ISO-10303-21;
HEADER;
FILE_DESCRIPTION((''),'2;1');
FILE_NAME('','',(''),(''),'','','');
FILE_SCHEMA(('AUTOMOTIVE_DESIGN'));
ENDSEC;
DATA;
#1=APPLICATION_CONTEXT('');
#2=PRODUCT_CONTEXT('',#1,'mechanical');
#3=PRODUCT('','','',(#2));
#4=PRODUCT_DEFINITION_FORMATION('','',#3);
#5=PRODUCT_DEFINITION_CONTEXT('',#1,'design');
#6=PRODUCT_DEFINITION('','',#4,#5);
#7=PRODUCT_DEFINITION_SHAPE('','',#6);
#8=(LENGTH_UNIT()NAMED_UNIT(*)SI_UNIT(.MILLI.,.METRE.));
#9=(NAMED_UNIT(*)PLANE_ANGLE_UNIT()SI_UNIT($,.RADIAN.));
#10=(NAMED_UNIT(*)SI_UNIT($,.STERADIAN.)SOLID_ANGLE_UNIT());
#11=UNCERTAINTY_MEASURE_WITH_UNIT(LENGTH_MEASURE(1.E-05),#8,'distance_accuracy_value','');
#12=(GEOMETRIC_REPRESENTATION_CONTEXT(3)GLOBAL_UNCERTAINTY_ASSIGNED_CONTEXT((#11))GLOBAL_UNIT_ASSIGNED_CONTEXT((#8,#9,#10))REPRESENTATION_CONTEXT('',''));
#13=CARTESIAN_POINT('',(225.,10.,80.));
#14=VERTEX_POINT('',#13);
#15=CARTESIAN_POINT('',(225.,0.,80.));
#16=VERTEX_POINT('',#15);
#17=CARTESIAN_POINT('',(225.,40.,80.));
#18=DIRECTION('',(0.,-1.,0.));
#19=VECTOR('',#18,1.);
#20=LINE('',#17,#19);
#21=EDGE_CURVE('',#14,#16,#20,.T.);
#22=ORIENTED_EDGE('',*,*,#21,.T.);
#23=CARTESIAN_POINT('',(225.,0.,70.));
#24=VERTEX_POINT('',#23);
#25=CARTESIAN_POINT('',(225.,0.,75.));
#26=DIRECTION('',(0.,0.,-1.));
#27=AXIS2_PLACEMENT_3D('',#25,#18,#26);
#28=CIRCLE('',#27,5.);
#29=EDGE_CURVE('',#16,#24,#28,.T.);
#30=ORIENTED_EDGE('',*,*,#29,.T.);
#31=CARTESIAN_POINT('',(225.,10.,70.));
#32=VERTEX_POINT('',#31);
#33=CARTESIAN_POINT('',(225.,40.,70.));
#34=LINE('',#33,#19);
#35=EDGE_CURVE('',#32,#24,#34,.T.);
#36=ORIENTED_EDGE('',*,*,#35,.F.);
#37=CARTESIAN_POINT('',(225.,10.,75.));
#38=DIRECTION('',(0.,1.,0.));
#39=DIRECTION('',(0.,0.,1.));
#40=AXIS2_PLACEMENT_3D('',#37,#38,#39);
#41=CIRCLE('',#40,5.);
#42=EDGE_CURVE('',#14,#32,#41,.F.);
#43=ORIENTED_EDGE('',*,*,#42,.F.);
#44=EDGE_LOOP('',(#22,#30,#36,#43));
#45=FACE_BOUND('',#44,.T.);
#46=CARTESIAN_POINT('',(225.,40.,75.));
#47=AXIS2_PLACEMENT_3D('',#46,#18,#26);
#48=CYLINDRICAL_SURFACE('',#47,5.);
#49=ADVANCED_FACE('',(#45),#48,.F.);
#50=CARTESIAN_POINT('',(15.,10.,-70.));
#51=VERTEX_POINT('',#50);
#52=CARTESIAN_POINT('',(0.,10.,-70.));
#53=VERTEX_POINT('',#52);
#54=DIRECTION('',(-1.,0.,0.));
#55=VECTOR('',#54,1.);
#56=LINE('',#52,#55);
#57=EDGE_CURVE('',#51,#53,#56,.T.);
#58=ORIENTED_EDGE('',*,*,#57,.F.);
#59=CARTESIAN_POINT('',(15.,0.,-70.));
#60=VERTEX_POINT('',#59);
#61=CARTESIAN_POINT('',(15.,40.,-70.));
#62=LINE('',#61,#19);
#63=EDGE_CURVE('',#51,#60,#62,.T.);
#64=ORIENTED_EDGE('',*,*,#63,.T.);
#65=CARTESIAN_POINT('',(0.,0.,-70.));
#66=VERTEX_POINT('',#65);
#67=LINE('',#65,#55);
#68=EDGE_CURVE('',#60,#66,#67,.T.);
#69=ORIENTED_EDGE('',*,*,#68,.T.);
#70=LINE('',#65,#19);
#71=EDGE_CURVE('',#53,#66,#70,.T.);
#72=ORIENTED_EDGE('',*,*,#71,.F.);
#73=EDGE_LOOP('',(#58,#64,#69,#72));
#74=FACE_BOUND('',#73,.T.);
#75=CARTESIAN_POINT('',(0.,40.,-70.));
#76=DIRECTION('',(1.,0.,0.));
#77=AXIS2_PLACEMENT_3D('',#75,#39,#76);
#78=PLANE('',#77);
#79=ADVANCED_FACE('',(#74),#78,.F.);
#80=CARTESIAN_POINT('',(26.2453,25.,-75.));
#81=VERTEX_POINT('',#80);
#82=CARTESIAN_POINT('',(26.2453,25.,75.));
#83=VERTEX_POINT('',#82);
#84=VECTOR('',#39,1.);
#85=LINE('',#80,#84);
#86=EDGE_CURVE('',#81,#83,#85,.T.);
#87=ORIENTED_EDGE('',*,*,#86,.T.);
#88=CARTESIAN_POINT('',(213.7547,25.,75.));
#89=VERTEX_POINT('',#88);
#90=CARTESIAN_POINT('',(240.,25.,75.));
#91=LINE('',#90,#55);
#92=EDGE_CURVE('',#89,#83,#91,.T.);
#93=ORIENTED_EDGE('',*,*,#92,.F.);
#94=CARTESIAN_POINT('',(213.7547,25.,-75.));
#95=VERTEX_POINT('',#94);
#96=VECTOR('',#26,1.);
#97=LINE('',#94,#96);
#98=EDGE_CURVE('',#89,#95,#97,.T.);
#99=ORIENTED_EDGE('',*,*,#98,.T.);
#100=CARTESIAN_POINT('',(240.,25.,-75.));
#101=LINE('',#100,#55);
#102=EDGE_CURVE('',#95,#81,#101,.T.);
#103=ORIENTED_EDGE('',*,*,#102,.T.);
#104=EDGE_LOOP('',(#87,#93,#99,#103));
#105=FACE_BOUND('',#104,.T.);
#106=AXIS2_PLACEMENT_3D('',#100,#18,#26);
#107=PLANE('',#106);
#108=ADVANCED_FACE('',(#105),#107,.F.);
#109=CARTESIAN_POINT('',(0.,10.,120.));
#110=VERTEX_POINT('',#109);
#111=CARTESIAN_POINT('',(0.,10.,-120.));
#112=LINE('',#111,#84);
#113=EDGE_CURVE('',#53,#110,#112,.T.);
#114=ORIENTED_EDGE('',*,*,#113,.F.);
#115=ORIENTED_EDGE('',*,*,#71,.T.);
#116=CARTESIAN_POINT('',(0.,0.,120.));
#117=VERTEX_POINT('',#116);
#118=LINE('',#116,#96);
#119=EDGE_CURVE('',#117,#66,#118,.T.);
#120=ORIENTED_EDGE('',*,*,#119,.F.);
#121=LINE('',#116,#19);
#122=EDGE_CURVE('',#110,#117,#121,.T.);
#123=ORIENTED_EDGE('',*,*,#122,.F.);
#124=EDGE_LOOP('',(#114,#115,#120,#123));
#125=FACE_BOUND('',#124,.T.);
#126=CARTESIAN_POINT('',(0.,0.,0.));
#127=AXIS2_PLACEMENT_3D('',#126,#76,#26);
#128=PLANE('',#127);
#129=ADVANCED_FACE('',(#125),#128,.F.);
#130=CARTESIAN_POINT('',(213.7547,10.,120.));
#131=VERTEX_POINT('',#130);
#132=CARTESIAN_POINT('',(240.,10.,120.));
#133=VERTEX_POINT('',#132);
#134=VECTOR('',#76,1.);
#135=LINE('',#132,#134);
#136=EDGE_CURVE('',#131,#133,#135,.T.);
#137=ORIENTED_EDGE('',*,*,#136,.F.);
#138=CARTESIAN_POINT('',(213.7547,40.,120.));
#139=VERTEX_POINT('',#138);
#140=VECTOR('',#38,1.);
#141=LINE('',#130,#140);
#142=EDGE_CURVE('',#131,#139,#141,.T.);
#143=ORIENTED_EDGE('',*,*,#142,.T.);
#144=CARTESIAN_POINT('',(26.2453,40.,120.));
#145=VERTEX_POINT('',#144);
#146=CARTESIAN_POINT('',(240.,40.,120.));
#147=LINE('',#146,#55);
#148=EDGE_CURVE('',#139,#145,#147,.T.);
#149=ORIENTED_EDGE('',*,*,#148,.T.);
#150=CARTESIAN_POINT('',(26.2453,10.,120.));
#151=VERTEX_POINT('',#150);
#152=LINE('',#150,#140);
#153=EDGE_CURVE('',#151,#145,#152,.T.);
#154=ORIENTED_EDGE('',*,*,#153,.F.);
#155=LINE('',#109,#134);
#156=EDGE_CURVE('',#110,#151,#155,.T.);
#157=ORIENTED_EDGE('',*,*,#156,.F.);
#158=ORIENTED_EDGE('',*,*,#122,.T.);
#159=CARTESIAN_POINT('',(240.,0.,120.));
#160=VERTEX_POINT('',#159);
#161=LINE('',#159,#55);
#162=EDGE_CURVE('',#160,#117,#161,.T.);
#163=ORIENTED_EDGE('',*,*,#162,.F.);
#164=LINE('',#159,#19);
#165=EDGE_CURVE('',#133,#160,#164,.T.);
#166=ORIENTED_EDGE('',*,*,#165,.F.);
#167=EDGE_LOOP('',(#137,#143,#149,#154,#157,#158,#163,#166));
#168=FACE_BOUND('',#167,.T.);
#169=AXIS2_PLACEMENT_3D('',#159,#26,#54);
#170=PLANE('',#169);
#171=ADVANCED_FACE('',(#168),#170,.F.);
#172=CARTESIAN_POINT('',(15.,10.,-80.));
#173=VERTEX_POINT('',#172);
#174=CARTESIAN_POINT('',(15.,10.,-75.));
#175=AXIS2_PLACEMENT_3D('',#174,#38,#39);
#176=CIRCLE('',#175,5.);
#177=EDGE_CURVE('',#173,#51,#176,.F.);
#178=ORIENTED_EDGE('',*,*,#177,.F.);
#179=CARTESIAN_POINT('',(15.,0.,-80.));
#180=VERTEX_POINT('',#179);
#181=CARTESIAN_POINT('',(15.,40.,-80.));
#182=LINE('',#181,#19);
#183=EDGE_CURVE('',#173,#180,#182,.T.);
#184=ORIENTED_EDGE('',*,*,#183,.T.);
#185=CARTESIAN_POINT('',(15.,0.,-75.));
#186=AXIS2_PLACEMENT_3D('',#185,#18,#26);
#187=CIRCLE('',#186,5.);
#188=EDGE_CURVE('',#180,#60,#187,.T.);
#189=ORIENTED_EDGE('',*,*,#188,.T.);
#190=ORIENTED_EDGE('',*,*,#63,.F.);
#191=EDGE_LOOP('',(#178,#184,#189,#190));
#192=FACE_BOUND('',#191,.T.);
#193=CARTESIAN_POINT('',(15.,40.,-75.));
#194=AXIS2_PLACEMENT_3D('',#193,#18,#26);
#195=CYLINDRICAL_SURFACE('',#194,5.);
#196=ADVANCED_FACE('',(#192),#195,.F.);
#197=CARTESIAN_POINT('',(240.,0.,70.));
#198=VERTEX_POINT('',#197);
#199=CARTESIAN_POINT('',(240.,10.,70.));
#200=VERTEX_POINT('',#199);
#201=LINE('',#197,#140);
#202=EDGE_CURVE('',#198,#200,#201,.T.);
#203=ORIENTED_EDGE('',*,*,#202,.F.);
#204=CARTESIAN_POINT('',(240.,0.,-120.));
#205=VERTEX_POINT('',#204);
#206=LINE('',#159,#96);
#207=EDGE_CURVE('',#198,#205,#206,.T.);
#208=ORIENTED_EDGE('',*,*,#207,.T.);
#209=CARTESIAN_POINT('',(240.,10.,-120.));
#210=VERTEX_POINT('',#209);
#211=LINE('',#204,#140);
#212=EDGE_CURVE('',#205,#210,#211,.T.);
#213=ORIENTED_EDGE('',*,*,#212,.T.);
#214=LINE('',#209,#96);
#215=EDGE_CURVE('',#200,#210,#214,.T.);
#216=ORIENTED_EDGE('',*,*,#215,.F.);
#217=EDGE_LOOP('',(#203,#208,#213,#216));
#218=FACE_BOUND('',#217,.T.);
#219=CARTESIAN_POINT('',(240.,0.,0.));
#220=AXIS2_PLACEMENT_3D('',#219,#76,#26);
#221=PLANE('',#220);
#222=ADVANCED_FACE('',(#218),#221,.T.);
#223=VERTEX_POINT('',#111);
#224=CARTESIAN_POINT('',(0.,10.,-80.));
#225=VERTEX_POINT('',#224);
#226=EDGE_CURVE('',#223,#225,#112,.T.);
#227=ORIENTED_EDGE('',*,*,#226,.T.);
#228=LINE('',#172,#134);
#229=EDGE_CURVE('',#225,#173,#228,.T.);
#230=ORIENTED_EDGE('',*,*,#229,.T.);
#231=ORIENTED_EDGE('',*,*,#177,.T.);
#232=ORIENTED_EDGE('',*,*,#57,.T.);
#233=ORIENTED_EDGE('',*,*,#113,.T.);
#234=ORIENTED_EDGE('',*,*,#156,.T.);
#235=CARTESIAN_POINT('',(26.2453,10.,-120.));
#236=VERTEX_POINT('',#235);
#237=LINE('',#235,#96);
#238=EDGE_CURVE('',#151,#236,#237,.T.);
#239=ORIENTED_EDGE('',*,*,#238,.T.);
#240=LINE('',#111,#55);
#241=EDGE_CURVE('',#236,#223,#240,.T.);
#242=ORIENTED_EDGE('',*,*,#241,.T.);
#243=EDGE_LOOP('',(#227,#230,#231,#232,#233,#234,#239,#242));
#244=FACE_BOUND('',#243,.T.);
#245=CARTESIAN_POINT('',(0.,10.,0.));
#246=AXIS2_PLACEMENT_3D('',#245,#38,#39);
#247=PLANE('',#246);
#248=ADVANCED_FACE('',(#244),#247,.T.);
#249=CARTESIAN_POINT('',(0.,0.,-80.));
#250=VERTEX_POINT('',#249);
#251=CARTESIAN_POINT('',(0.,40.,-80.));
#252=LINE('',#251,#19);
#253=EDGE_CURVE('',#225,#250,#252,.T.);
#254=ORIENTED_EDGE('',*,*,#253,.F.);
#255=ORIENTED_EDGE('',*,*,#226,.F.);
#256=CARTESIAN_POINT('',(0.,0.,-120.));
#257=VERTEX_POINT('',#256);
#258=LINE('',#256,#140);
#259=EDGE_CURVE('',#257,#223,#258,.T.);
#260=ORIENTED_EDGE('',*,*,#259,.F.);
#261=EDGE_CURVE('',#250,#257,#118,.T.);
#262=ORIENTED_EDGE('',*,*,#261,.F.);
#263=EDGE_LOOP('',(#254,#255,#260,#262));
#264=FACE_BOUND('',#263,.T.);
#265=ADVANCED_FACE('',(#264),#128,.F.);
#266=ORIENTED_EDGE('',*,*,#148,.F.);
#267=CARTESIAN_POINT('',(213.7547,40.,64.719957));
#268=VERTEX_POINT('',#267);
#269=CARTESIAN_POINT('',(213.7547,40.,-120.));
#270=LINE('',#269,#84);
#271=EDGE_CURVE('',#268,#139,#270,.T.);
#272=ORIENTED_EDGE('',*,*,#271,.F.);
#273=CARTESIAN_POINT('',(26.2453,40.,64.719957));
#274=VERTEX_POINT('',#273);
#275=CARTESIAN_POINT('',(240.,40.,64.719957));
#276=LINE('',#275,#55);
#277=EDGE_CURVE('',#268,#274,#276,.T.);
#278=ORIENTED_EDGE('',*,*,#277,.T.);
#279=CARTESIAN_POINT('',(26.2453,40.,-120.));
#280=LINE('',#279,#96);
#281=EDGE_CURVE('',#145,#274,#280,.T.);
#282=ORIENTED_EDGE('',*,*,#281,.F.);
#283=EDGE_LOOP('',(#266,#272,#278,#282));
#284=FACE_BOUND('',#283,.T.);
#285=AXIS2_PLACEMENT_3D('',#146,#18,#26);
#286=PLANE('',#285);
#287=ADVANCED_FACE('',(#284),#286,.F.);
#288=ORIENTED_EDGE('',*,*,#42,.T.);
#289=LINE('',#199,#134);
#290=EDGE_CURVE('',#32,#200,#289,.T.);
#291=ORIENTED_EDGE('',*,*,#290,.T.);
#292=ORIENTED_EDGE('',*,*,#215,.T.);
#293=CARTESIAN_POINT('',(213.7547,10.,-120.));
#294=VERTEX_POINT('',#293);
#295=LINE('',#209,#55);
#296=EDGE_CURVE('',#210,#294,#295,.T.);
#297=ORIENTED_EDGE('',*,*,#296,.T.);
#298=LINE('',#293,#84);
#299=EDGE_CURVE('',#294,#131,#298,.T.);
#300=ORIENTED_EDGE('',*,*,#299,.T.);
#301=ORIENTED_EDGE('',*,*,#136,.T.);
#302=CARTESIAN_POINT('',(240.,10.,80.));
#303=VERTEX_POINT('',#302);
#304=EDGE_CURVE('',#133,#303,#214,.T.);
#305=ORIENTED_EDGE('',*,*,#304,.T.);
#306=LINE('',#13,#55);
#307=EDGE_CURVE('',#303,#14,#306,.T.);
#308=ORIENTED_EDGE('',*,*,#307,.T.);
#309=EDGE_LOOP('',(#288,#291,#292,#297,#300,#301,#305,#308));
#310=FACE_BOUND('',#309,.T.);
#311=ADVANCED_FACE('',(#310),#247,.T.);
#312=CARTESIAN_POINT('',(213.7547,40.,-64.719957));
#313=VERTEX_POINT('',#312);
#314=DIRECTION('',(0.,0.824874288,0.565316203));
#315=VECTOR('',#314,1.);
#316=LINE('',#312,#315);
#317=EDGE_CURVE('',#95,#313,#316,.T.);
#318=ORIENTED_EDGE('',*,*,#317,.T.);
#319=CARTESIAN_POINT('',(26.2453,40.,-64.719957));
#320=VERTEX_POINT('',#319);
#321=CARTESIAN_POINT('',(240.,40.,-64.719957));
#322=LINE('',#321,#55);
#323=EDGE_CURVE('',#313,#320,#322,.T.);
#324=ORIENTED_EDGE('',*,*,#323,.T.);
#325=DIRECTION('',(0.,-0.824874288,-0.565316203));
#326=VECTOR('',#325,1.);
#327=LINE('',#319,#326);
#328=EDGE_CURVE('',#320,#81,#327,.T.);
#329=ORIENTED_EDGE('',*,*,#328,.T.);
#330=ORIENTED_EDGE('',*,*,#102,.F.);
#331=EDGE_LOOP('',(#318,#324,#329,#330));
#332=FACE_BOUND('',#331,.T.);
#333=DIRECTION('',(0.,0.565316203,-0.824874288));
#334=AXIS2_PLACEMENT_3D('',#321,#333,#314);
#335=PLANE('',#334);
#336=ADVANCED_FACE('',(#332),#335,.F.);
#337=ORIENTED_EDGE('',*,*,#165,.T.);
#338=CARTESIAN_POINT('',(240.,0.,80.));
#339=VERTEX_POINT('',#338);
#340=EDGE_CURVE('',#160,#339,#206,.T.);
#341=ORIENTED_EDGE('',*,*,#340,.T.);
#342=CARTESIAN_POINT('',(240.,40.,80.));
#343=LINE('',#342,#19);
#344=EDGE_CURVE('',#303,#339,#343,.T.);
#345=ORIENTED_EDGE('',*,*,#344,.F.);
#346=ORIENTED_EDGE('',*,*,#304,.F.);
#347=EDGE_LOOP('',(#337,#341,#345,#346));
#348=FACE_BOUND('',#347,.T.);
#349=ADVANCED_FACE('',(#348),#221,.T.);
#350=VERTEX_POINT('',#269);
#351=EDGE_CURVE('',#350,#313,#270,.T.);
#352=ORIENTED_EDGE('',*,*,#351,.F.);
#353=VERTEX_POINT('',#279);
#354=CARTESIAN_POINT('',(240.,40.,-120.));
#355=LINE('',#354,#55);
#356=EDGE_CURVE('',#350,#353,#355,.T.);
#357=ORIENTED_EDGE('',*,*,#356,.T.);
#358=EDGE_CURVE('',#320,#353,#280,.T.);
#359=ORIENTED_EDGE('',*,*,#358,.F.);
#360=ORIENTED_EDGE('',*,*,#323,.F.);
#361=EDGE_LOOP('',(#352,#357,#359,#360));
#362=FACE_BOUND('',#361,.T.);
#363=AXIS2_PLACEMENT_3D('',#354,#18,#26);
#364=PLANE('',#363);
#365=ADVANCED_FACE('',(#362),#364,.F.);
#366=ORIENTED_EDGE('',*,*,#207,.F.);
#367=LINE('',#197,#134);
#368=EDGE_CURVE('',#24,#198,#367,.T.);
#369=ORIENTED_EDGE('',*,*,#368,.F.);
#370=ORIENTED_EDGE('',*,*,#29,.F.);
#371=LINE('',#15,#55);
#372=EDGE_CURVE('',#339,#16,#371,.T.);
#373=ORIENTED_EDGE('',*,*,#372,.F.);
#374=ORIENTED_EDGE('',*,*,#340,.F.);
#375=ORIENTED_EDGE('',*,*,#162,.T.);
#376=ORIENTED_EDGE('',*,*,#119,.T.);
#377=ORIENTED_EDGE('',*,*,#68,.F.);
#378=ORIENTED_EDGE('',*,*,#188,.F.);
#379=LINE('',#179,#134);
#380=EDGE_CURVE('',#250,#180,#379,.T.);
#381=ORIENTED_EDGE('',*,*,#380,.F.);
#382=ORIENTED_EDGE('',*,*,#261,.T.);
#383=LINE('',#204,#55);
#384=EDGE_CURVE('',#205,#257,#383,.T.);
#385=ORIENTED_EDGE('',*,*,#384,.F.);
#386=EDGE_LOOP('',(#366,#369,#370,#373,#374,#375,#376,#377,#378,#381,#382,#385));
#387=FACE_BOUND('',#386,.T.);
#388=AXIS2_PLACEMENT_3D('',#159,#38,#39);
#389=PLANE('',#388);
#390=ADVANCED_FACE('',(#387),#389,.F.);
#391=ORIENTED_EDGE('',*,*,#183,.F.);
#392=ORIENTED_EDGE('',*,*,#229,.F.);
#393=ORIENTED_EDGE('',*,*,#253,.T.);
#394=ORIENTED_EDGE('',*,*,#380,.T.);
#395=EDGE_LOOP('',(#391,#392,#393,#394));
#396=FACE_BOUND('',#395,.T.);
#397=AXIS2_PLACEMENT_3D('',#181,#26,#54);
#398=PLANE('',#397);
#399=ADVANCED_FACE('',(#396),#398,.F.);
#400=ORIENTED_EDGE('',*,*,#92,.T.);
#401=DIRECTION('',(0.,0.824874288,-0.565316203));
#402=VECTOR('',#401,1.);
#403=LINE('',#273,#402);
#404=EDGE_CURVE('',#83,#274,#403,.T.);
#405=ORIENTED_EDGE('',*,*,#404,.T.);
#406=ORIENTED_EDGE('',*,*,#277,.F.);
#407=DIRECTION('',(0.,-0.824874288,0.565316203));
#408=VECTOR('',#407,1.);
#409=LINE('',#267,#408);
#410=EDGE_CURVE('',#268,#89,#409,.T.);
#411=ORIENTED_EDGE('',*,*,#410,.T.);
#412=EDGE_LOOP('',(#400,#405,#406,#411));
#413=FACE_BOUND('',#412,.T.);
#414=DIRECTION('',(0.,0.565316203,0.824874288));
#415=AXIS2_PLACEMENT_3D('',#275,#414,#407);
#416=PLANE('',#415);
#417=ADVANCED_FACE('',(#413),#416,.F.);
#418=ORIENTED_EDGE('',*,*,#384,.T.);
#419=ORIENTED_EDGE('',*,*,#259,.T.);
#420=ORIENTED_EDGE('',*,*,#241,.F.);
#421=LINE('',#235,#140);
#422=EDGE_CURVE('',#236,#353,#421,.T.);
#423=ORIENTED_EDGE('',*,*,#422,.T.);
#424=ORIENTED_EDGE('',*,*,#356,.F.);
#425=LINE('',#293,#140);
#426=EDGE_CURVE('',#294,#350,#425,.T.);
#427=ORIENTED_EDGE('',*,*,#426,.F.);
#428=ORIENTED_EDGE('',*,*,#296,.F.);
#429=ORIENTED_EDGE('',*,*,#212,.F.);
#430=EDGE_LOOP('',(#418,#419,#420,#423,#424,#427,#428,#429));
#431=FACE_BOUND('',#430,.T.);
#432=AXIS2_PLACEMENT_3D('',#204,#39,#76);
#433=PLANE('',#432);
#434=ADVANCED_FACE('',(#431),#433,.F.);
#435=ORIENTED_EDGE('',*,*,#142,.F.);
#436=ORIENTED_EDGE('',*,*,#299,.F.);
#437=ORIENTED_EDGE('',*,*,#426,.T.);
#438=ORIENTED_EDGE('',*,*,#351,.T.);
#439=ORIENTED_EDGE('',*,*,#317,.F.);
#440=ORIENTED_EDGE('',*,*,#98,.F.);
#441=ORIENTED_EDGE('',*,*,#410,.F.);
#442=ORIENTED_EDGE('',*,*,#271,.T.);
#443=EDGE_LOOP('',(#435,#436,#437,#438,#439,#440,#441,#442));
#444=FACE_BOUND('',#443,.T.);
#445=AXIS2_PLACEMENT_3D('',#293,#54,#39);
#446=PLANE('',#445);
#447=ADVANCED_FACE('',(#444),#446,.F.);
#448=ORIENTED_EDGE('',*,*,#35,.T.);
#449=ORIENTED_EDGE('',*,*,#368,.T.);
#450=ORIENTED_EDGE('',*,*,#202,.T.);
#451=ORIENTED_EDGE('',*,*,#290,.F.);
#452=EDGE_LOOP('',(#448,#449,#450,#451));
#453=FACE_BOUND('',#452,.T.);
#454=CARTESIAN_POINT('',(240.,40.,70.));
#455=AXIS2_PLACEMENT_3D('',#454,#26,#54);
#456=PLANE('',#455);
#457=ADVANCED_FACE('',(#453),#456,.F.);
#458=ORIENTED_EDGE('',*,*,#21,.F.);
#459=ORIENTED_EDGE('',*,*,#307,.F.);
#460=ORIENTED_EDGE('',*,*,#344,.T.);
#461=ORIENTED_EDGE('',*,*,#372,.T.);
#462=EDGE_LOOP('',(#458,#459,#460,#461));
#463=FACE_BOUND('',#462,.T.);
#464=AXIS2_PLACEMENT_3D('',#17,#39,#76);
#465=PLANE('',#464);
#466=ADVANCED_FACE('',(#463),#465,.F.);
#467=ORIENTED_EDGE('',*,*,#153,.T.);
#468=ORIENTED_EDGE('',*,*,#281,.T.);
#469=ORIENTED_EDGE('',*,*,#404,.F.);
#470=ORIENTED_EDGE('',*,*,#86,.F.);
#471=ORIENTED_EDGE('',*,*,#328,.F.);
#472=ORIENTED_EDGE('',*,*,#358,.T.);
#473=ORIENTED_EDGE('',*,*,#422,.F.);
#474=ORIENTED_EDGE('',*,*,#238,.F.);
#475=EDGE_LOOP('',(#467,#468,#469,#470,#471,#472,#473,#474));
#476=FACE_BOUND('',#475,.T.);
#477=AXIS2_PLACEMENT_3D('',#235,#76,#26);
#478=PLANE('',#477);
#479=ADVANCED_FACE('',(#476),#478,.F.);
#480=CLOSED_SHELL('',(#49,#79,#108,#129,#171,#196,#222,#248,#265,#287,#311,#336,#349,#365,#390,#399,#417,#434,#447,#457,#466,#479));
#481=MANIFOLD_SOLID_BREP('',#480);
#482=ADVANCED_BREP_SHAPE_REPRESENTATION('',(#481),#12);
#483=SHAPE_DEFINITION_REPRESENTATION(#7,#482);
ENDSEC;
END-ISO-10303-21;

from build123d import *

# Parameters (mm, degrees)
EXTRUDE_1_DEPTH     = 240
CUT_EXTRUDE_1_DEPTH = 41
SKETCH_3_W          = 26.245299516
SKETCH_3_H          = 240
CUT_EXTRUDE_2_DEPTH = 30


with BuildPart() as part:
    # Эскиз1 → Бобышка-Вытянуть1 (new body)
    with BuildSketch(Plane(origin=(0, 0, 0), x_dir=(0, 0, -1), z_dir=(1, 0, 0))):
        Polygon((-120, 0), (120, 0), (120, 40), (64.71995712, 40), (75, 25), (-75, 25), (-64.71995712, 40), (-120, 40), align=None)
    extrude(amount=EXTRUDE_1_DEPTH)

    # Эскиз2 → Вырез-Вытянуть1 (cut, through all)
    with BuildSketch(Plane.XZ):
        with BuildLine():
            Line((240, 80), (240, 70))
            Line((240, 70), (225, 70))
            ThreePointArc((225, 70), (220, 75), (225, 80))
            Line((225, 80), (240, 80))
        make_face()
        with BuildLine():
            Line((0, -80), (0, -70))
            Line((0, -70), (15, -70))
            ThreePointArc((15, -70), (20, -75), (15, -80))
            Line((15, -80), (0, -80))
        make_face()
    extrude(amount=-CUT_EXTRUDE_1_DEPTH, mode=Mode.SUBTRACT)

    # Эскиз3 → Вырез-Вытянуть2 (cut)
    with BuildSketch(Plane(origin=(0, 40, 0), x_dir=(1, 0, 0), z_dir=(0, 1, 0))):
        with Locations((13.122649758, 0)):
            Rectangle(SKETCH_3_W, SKETCH_3_H)
        with Locations((226.877350242, 0)):
            Rectangle(SKETCH_3_W, SKETCH_3_H)
    extrude(amount=-CUT_EXTRUDE_2_DEPTH, mode=Mode.SUBTRACT)


solid = part.part
